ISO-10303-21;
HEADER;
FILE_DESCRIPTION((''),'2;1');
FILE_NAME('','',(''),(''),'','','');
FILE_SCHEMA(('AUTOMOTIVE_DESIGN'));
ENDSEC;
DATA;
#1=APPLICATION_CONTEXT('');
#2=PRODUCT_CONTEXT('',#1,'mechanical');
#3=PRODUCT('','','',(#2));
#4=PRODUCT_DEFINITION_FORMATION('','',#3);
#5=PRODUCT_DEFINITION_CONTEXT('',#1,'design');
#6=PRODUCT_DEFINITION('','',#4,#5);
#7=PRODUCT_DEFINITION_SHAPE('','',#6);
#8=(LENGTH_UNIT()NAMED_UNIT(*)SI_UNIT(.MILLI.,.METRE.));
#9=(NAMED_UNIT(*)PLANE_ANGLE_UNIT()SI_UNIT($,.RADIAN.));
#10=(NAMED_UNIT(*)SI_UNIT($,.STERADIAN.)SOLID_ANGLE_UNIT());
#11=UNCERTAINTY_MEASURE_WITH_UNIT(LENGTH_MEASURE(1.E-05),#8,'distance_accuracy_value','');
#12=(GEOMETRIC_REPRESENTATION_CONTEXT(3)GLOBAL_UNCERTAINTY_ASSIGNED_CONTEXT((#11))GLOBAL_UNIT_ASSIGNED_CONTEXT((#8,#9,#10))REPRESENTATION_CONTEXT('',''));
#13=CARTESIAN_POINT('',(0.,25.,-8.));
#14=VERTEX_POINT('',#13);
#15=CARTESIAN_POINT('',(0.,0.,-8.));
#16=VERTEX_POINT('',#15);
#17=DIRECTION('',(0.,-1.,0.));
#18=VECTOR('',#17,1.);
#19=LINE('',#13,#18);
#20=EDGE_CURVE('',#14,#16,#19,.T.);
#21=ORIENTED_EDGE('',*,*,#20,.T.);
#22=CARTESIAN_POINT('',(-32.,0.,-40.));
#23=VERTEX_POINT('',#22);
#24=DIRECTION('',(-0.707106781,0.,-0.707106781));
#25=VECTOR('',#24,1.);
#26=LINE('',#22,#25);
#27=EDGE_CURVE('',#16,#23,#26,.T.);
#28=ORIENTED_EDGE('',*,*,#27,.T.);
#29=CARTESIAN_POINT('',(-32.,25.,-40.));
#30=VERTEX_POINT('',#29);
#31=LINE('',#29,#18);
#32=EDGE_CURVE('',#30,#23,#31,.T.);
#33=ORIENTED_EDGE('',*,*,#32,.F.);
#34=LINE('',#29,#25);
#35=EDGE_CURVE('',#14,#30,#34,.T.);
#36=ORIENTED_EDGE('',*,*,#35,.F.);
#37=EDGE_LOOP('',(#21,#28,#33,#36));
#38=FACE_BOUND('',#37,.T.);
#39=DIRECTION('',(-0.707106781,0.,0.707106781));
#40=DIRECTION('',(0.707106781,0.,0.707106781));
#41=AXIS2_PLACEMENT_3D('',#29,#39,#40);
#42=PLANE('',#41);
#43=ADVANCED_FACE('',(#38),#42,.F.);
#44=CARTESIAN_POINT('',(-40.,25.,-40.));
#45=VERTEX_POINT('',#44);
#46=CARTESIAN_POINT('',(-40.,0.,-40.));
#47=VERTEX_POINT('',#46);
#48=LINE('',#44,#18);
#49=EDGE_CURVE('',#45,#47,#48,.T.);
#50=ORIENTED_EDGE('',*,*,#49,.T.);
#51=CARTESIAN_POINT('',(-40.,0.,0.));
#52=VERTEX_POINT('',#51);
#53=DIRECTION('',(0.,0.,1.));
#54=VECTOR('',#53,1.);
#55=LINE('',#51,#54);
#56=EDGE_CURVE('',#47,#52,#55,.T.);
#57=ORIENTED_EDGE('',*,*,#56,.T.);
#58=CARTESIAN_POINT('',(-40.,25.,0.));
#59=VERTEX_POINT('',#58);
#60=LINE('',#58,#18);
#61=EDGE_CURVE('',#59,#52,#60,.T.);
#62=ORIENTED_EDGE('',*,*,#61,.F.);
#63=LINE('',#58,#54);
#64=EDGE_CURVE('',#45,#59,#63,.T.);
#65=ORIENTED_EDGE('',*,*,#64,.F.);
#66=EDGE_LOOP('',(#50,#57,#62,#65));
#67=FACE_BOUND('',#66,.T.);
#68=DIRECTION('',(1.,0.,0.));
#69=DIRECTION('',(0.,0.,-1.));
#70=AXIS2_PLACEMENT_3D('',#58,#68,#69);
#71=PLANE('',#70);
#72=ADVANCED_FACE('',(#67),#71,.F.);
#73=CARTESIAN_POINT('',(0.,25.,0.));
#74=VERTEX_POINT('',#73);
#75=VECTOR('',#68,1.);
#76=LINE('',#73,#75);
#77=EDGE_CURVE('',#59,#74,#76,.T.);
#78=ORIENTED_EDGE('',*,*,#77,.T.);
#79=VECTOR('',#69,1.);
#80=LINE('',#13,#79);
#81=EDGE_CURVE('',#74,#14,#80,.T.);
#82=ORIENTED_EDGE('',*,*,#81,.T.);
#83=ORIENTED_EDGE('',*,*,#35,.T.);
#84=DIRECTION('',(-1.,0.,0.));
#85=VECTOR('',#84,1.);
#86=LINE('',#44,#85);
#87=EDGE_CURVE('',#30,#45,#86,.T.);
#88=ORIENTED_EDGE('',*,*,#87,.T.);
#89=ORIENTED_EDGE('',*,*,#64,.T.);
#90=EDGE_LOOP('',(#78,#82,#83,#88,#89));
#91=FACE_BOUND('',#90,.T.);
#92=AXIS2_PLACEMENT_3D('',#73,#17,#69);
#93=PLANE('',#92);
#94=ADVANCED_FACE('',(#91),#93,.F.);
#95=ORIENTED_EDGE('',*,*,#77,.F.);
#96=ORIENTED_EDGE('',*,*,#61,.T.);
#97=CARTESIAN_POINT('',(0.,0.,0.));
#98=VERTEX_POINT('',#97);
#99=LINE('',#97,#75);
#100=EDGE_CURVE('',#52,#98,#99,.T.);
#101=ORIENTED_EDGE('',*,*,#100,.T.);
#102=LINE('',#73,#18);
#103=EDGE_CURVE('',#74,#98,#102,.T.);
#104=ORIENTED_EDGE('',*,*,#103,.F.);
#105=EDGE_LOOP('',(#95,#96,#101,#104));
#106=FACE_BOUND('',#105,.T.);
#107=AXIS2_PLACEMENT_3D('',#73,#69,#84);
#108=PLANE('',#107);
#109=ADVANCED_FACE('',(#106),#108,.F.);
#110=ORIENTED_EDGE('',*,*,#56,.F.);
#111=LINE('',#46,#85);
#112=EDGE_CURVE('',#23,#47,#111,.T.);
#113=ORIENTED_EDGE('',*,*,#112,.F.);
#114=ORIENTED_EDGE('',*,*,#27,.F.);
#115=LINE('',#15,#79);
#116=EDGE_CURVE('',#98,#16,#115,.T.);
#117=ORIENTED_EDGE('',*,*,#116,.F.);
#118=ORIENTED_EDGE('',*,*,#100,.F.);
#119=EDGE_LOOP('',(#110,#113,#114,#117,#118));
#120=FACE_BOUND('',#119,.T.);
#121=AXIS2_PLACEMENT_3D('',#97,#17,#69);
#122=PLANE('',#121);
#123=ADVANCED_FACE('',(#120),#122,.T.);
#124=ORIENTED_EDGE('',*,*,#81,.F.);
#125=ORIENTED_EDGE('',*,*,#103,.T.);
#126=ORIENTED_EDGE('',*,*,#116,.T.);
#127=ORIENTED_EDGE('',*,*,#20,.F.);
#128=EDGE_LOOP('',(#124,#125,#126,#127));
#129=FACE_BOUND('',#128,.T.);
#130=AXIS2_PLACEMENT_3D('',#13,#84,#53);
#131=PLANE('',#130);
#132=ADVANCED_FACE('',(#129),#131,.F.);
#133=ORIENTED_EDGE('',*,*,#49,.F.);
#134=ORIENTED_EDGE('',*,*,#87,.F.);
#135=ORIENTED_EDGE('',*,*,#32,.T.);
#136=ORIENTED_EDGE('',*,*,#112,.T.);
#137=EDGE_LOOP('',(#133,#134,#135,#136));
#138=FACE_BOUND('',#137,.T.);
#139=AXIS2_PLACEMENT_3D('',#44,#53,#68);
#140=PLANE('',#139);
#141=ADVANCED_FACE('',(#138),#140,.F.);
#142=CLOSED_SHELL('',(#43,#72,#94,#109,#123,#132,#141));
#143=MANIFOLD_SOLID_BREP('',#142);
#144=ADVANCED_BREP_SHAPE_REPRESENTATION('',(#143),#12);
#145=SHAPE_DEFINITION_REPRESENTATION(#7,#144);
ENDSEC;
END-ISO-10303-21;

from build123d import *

# Parameters (mm, degrees)
SALIENTE_EXTRUIR1_DEPTH = 25


with BuildPart() as part:
    # Croquis1 → Saliente-Extruir1 (new body)
    with BuildSketch(Plane(origin=(0, 0, 0), x_dir=(1, 0, 0), z_dir=(0, 1, 0))):
        Polygon((0, 0), (-40, 0), (-40, 40), (-32, 40), (0, 8), align=None)
    extrude(amount=SALIENTE_EXTRUIR1_DEPTH)


solid = part.part
